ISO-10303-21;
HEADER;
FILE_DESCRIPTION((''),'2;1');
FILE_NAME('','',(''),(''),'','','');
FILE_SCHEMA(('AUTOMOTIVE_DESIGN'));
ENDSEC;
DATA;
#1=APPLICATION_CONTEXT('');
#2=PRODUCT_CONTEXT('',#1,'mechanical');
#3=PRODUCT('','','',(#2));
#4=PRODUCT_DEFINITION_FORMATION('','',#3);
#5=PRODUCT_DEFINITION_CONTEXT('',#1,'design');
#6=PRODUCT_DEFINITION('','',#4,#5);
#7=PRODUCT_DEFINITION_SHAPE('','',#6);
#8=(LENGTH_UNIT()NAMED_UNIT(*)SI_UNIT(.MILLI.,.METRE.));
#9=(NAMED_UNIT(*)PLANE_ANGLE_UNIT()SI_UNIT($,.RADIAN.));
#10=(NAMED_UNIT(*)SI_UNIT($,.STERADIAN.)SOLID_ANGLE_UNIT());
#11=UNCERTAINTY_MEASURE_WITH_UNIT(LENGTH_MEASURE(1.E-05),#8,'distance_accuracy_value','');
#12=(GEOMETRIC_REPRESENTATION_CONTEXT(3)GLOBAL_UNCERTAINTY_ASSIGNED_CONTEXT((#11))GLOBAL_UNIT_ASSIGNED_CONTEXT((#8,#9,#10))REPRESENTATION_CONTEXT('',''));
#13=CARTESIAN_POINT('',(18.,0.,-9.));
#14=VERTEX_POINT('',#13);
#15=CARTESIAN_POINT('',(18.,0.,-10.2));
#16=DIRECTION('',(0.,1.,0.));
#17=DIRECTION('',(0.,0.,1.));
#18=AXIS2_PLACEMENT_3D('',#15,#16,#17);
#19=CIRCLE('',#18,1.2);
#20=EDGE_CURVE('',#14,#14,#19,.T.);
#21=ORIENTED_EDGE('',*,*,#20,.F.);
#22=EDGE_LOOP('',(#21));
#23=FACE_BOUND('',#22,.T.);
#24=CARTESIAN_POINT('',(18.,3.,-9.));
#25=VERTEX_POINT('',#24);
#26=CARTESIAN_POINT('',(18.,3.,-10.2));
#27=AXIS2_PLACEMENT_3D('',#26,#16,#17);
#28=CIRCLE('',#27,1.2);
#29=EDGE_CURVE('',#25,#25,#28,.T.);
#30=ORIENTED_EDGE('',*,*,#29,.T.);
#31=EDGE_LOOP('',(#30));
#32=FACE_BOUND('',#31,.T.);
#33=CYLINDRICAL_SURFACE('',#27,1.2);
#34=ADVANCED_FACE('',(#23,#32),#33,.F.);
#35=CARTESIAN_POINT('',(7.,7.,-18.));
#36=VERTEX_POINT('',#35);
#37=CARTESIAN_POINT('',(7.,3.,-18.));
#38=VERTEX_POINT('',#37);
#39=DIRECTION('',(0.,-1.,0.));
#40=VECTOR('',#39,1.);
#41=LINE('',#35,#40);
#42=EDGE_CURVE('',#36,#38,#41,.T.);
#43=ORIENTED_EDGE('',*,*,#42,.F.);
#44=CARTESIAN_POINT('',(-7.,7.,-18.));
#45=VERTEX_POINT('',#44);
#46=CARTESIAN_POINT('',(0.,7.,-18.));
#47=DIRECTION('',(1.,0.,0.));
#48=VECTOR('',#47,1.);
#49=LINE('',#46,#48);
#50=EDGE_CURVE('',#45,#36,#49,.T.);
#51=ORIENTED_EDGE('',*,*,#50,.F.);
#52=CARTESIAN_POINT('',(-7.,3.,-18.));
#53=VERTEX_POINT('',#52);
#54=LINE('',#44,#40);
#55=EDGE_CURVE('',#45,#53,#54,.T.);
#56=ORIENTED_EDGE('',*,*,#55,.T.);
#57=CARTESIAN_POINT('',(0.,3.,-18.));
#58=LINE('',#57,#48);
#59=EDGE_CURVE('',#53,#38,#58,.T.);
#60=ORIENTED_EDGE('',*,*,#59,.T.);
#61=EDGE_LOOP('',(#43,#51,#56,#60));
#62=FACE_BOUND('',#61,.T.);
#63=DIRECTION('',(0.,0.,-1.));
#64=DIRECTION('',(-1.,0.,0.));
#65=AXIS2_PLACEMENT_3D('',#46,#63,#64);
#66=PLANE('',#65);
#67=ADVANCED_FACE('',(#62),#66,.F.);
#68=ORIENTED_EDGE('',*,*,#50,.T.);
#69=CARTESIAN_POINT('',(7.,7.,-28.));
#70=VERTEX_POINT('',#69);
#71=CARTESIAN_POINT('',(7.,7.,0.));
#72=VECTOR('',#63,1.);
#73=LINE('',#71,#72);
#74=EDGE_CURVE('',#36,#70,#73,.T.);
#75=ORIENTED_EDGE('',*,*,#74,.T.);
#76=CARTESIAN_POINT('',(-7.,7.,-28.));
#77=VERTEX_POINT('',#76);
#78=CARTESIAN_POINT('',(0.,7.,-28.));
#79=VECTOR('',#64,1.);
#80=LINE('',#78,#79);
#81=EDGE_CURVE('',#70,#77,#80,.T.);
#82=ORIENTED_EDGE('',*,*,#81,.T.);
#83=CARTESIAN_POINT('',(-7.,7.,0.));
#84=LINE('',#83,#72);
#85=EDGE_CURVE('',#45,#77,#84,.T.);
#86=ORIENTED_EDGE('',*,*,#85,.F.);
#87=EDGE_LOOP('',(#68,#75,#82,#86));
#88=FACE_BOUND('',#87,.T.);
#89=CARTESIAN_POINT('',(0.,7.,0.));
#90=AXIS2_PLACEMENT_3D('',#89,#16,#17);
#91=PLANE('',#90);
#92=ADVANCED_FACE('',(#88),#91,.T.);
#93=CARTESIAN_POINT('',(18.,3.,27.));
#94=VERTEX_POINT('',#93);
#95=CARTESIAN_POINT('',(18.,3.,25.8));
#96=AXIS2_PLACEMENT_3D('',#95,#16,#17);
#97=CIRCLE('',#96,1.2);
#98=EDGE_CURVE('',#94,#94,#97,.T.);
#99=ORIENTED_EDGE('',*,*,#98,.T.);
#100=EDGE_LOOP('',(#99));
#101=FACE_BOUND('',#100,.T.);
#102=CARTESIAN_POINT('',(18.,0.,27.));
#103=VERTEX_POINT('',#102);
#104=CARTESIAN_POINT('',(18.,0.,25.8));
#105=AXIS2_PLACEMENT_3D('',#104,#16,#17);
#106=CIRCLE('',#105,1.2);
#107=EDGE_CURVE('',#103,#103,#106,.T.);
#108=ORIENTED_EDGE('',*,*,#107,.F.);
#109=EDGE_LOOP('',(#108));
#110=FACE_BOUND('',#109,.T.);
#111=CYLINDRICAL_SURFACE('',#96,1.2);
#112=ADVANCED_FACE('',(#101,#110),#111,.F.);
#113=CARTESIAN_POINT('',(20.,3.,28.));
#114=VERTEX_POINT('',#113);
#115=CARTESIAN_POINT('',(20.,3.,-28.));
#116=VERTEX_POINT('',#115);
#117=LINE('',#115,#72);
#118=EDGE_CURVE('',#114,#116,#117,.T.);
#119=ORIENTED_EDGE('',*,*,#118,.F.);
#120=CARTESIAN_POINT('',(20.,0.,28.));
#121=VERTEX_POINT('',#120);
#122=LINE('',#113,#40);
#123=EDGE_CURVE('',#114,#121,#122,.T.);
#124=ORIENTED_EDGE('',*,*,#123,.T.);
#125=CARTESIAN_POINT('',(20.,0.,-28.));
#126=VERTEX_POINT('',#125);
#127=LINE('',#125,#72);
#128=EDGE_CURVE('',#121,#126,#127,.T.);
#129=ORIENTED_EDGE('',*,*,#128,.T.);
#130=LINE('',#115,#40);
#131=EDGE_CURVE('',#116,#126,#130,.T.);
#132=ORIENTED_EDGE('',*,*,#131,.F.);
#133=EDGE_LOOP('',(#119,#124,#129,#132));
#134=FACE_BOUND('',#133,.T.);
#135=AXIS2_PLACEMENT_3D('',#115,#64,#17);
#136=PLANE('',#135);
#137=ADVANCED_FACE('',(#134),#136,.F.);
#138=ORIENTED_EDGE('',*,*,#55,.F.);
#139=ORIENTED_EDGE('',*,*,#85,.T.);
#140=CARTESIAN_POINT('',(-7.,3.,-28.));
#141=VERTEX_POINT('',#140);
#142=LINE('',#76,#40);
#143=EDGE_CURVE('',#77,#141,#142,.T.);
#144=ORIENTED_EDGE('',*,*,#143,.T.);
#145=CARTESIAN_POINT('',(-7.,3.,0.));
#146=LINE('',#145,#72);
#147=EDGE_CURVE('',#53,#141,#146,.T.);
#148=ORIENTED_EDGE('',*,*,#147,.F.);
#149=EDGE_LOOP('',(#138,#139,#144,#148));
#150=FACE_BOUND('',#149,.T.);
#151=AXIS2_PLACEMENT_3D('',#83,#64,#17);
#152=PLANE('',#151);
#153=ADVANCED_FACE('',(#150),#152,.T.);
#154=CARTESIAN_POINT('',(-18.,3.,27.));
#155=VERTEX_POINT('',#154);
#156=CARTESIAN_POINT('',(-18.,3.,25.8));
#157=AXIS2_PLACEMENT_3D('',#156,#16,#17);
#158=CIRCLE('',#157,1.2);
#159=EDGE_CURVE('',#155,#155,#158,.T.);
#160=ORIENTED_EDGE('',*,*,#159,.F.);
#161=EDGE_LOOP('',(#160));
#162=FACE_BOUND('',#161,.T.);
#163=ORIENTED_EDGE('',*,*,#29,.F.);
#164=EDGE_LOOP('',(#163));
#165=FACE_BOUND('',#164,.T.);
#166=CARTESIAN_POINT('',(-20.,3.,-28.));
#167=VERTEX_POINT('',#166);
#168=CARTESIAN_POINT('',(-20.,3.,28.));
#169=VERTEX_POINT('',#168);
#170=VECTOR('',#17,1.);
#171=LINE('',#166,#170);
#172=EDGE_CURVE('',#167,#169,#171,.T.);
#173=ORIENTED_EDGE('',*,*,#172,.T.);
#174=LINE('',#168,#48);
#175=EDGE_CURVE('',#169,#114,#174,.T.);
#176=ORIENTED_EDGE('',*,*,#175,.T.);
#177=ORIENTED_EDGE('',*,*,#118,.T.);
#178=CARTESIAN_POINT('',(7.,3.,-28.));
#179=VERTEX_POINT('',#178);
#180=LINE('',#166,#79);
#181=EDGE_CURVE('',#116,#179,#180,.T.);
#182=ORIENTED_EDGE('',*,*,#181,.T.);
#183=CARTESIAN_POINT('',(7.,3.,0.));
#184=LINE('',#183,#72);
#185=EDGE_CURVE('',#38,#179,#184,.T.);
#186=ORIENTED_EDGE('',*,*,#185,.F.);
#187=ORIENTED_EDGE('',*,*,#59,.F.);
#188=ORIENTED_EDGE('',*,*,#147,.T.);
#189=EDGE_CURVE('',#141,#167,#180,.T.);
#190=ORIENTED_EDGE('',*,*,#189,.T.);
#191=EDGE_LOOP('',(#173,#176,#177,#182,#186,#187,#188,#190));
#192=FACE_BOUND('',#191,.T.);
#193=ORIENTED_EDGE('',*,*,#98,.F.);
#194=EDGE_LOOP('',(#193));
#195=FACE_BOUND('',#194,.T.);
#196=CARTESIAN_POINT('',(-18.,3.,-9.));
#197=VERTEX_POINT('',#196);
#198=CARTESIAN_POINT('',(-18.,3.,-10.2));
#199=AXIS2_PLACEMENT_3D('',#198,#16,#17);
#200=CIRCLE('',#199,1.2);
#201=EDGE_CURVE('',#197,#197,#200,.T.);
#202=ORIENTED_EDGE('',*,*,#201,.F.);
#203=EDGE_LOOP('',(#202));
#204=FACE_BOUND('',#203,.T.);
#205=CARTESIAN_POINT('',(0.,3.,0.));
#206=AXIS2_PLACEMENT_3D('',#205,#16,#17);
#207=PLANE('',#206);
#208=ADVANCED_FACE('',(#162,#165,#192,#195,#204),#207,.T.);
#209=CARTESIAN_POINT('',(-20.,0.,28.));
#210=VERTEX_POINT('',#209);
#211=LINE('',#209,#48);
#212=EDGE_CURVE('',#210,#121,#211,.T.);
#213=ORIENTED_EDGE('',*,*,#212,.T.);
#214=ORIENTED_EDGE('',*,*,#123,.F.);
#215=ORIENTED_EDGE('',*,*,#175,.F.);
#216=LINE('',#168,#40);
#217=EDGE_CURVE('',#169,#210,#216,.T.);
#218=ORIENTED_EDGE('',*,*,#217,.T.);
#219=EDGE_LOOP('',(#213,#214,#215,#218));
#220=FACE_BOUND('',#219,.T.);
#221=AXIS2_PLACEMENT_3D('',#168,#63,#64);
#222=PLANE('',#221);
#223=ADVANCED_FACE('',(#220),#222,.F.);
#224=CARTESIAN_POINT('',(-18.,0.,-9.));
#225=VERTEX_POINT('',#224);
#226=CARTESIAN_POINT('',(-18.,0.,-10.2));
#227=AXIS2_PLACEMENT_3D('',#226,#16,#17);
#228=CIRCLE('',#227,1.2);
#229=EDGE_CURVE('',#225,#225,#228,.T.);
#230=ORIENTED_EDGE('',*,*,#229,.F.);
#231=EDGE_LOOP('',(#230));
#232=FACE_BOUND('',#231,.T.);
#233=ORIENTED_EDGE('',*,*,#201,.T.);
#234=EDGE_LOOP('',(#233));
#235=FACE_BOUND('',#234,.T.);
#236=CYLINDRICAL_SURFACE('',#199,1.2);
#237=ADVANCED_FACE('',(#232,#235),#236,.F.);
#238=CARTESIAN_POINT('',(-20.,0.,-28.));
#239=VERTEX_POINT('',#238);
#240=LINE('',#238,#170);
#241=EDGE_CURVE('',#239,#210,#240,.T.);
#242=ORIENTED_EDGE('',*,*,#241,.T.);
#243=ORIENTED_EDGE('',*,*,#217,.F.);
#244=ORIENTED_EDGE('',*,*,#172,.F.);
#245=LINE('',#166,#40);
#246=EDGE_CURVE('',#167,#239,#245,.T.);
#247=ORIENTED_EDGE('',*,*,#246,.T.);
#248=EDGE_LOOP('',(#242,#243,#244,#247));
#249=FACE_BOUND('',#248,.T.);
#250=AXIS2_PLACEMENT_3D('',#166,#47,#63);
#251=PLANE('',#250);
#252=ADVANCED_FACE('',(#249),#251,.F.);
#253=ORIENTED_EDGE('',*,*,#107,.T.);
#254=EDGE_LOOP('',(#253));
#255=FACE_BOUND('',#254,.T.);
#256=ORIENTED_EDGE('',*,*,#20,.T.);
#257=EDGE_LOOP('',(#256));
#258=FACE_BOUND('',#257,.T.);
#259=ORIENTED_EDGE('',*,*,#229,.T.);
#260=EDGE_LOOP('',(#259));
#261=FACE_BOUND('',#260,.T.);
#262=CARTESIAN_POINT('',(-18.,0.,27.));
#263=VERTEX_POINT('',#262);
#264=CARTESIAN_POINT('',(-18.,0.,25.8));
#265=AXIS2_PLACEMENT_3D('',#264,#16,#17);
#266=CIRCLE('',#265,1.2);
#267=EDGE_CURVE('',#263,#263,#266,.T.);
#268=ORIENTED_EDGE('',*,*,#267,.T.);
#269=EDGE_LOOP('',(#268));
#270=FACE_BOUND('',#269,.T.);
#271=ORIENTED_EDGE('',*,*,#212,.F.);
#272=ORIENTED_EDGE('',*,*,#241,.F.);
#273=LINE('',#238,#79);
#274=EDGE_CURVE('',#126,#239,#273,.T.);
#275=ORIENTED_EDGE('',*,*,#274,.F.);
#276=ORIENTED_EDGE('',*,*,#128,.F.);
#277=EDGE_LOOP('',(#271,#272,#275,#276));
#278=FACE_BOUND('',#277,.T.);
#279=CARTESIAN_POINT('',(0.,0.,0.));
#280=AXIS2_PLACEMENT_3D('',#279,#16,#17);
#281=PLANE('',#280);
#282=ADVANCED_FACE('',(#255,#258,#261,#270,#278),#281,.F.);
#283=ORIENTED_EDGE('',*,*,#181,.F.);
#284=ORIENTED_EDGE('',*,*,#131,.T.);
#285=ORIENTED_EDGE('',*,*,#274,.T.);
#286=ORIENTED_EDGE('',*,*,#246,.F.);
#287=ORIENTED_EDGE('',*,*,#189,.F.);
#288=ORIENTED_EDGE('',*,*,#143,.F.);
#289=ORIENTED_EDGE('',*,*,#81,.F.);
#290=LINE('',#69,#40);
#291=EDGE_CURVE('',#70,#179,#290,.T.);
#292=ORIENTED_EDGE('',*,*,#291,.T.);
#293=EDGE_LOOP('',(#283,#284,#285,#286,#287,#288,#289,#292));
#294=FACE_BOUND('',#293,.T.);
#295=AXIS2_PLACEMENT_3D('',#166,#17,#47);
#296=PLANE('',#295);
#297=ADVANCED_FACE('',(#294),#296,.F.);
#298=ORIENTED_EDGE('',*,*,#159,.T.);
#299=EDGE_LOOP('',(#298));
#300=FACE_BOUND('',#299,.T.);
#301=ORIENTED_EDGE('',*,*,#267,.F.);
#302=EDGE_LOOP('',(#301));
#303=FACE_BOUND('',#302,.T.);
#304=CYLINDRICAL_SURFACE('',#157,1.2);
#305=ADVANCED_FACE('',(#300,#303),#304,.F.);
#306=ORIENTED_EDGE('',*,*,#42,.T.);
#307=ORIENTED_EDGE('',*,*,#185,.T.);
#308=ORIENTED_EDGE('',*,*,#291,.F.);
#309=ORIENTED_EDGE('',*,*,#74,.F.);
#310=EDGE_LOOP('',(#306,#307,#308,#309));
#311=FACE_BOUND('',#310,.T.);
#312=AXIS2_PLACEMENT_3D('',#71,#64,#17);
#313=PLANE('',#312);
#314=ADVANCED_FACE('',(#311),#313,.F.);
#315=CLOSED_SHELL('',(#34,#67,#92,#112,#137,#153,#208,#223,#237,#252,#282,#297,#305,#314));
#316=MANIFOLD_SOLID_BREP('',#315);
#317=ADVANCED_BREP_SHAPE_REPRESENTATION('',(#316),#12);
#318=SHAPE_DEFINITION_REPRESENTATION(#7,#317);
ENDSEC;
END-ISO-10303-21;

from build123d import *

# Parameters (mm, degrees)
SKETCH_1_W      = 40
SKETCH_1_H      = 56
EXTRUDE_1_DEPTH = 3
HOLE_WIZARD_1_D = 2.4
EXTRUDE_2_DEPTH = 4


with BuildPart() as part:
    # 草图1 → 凸台-拉伸1 (new body)
    with BuildSketch(Plane(origin=(0, 0, 0), x_dir=(1, 0, 0), z_dir=(0, 1, 0))):
        Rectangle(SKETCH_1_W, SKETCH_1_H)
    extrude(amount=EXTRUDE_1_DEPTH)

    # 孔1 (through all)
    with Locations(Plane(origin=(0, 3, 0), x_dir=(1, 0, 0), z_dir=(0, 1, 0))):
        with Locations((-18, 10.2), (18, 10.2), (18, -25.8), (-18, -25.8)):
            Hole(HOLE_WIZARD_1_D / 2)

    # 草图5 → 凸台-拉伸2 (add)
    with BuildSketch(Plane(origin=(0, 3, 0), x_dir=(1, 0, 0), z_dir=(0, 1, 0))):
        Polygon((-7, 28), (-7, 18), (7, 18), (7, 28), (0, 28), align=None)
    extrude(amount=EXTRUDE_2_DEPTH)


solid = part.part
